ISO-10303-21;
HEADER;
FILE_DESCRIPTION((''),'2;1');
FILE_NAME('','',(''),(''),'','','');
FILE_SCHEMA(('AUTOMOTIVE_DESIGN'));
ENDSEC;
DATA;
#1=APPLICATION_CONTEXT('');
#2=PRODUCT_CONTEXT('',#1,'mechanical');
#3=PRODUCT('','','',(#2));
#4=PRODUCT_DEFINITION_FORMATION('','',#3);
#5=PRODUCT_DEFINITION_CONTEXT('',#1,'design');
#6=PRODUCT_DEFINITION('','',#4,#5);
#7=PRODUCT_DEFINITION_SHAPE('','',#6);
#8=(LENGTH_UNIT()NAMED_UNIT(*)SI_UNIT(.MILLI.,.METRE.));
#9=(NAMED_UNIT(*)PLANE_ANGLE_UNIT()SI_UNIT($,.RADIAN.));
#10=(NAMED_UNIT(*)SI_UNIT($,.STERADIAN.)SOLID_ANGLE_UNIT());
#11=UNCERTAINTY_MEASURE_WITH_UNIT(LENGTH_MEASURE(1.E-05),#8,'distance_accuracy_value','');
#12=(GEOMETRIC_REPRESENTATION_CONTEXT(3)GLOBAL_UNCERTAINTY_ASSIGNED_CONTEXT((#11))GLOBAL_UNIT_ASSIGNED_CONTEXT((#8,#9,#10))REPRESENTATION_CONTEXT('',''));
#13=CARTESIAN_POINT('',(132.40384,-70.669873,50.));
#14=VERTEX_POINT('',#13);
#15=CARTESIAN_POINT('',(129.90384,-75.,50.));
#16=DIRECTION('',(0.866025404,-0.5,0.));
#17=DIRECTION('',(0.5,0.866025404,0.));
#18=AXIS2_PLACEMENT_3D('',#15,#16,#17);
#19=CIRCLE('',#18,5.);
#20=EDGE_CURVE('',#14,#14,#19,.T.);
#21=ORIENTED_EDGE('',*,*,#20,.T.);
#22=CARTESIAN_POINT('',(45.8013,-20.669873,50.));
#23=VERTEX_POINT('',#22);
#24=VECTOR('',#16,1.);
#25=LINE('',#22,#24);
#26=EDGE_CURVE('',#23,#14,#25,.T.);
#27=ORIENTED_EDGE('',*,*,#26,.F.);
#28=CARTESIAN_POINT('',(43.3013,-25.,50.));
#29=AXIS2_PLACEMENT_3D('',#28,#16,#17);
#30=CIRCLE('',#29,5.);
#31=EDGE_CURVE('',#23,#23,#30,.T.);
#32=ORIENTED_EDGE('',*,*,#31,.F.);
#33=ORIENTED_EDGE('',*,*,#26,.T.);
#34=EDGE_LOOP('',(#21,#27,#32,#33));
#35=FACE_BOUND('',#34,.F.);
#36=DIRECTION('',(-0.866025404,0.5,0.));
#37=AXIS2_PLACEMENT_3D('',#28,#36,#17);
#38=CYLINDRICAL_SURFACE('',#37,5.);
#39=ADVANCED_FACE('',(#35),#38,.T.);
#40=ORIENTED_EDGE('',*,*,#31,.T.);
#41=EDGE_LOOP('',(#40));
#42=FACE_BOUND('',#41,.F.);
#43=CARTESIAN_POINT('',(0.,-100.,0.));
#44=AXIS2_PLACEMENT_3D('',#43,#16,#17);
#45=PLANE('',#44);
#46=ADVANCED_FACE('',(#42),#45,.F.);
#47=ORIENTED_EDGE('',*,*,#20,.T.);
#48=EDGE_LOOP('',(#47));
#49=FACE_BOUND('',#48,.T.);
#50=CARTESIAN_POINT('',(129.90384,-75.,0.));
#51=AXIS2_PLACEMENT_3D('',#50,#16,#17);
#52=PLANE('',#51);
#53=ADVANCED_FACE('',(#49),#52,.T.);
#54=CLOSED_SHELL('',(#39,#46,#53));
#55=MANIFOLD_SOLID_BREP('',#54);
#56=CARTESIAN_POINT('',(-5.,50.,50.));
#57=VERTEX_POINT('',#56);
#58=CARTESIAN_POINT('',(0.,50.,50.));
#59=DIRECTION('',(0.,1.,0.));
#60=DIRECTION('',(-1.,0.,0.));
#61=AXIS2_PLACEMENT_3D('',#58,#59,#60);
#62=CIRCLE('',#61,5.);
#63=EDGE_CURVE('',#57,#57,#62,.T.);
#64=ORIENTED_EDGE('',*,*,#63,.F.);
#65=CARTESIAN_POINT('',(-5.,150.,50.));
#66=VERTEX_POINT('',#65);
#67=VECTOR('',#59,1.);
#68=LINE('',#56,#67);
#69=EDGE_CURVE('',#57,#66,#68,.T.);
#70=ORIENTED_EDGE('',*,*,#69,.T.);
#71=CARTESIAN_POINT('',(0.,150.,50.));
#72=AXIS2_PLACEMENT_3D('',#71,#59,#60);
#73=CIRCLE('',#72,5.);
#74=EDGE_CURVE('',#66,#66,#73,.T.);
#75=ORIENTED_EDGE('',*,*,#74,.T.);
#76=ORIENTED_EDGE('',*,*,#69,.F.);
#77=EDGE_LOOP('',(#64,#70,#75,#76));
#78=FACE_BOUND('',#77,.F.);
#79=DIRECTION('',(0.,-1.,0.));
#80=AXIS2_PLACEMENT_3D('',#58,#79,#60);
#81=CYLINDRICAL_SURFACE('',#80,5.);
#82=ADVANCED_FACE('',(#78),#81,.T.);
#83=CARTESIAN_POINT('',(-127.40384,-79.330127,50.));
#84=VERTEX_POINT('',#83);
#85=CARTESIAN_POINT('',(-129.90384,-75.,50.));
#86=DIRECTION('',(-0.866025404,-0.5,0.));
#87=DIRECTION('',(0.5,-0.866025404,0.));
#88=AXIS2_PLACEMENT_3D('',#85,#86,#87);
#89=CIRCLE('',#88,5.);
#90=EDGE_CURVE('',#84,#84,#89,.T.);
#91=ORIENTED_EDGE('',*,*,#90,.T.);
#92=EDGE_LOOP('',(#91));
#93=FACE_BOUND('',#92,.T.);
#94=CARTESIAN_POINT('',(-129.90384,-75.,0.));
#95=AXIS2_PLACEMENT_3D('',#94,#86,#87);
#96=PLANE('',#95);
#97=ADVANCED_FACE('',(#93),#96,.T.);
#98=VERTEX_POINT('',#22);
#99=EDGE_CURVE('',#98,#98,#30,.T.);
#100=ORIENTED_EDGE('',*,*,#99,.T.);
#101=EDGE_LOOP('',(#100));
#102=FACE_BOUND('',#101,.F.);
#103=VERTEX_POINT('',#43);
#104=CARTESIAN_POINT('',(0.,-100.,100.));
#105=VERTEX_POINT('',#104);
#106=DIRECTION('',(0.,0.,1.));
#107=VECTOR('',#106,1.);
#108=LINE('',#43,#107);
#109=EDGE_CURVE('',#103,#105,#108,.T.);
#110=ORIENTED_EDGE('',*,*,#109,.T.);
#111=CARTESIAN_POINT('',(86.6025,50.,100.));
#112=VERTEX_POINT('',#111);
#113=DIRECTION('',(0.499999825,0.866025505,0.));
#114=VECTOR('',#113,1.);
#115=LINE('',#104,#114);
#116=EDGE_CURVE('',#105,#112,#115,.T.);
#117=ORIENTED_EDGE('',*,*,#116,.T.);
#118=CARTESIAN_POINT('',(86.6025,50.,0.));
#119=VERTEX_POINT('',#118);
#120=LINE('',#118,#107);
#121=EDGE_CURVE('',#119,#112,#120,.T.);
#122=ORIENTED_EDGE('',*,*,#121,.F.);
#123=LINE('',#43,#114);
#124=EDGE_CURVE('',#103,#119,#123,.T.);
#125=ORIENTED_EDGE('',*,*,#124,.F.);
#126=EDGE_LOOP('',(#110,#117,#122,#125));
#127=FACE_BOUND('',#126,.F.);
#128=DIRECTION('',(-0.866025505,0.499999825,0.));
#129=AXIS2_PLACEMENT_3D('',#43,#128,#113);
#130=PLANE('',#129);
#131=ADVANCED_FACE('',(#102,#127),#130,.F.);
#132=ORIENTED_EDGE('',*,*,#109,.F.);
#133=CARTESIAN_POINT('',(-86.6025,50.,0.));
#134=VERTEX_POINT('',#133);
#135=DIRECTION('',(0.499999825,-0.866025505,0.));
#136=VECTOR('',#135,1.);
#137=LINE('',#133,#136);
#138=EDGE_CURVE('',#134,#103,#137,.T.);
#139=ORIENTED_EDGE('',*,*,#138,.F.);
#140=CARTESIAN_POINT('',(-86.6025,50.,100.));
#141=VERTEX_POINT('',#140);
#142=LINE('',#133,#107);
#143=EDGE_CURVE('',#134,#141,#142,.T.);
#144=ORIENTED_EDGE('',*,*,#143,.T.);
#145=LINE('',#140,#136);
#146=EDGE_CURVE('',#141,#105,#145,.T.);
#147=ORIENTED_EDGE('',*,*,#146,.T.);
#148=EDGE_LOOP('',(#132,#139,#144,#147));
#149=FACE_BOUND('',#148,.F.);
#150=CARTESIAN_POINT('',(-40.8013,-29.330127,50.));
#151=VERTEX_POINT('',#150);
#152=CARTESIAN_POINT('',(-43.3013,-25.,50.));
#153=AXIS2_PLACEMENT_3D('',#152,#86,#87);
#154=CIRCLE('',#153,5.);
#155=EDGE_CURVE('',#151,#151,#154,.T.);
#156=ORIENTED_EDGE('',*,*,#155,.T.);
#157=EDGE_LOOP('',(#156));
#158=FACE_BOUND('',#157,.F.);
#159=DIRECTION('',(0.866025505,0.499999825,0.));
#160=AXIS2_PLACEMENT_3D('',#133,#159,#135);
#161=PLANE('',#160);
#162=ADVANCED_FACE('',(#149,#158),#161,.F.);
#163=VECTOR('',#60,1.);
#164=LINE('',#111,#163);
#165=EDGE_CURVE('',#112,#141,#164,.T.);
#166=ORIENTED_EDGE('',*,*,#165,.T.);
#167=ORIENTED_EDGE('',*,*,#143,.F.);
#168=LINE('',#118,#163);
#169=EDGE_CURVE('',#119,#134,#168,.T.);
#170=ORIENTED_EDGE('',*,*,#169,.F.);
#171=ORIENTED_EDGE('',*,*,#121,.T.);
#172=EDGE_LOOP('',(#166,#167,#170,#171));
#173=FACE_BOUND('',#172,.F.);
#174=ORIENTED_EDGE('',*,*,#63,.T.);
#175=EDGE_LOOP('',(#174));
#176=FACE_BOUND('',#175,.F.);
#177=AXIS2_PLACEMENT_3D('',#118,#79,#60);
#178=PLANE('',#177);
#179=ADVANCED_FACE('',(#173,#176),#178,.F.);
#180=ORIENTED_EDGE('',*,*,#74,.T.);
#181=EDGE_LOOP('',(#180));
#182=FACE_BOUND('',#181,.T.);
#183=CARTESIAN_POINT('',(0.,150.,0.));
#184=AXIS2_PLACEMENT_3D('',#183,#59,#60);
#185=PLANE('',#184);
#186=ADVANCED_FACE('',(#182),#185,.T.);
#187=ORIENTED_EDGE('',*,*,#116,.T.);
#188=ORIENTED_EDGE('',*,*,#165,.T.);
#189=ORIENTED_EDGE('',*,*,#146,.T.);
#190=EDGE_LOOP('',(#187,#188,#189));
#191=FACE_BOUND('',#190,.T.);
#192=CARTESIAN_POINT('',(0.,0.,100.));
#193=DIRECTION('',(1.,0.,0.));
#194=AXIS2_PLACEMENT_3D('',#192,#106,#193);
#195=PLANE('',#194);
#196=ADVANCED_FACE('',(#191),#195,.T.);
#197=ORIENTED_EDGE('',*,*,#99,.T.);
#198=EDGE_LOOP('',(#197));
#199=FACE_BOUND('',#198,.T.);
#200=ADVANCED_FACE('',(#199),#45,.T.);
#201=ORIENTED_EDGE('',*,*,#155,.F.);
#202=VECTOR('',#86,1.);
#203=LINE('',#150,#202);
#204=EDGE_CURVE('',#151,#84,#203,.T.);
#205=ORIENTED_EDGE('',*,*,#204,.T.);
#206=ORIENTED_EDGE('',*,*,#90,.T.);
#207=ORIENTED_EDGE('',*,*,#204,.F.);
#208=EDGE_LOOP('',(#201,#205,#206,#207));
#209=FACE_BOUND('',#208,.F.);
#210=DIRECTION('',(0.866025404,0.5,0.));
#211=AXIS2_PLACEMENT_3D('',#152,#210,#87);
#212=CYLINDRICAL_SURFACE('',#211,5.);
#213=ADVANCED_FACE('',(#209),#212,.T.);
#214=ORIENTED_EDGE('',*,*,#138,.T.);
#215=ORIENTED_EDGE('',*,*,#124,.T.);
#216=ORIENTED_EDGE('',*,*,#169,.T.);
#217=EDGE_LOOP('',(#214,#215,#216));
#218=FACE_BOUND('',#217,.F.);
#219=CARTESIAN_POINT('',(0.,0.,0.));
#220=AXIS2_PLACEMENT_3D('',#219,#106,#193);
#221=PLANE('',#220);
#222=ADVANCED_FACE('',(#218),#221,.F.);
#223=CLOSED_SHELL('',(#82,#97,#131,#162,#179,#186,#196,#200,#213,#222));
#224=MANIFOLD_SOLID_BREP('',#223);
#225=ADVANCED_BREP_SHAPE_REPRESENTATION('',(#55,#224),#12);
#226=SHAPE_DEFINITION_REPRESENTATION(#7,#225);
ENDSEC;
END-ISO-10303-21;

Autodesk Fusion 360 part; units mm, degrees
sketch "Çizim1" plane through (0, 0, 0) normal (0, 0, 1) x (1, 0, 0)
  line L0 (-86.6025, 50) -> (0, -100)
  line L1 (0, -100) -> (86.6025, 50)
  line L2 (86.6025, 50) -> (-86.6025, 50)
  dimension "d1" = 50
extrude "Ekstrüzyon1" add sketch "Çizim1" along normal blind 100 makes body 1
sketch "Çizim2" plane through (43.3013, -25, 0) normal (0.866, -0.5, 0) x (0.5, 0.866, 0)
  line L0 (-86.6025, 0) -> (86.6025, 0)
  line L1 (86.6025, 0) -> (86.6025, 100)
  line L2 (86.6025, 100) -> (-86.6025, 100)
  line L3 (-86.6025, 100) -> (-86.6025, 0)
  circle A0 centre (0, 50) radius 5
  dimension "d4" = 10
extrude "Ekstrüzyon2" add sketch "Çizim2" along normal blind 100 contours A0 bodies 1
split "Böl1" by plane through (0, -100, 0) normal (0.866, -0.5, 0) bodies 1 makes body 2 at (100.6022, -59.0853, 54.924)
sketch "Çizim3" plane through (0, 50, 0) normal (0, 1, 0) x (-1, 0, 0)
  line L0 (-86.6025, 0) -> (86.6025, 0)
  line L1 (86.6025, 0) -> (86.6025, 100)
  line L2 (86.6025, 100) -> (-86.6025, 100)
  line L3 (-86.6025, 100) -> (-86.6025, 0)
  circle A0 centre (0, 50) radius 5
  dimension "d7" = 10
extrude "Ekstrüzyon3" add sketch "Çizim3" along normal blind 100 contours A0 bodies 1
sketch "Çizim4" plane through (-43.3013, -25, 0) normal (-0.866, -0.5, 0) x (0.5, -0.866, 0)
  line L0 (-86.6025, 0) -> (86.6025, 0)
  line L1 (86.6025, 0) -> (86.6025, 100)
  line L2 (86.6025, 100) -> (-86.6025, 100)
  line L3 (-86.6025, 100) -> (-86.6025, 0)
  circle A0 centre (0, 50) radius 5
  dimension "d10" = 10
extrude "Ekstrüzyon4" add sketch "Çizim4" along normal blind 100 contours A0 bodies 1
